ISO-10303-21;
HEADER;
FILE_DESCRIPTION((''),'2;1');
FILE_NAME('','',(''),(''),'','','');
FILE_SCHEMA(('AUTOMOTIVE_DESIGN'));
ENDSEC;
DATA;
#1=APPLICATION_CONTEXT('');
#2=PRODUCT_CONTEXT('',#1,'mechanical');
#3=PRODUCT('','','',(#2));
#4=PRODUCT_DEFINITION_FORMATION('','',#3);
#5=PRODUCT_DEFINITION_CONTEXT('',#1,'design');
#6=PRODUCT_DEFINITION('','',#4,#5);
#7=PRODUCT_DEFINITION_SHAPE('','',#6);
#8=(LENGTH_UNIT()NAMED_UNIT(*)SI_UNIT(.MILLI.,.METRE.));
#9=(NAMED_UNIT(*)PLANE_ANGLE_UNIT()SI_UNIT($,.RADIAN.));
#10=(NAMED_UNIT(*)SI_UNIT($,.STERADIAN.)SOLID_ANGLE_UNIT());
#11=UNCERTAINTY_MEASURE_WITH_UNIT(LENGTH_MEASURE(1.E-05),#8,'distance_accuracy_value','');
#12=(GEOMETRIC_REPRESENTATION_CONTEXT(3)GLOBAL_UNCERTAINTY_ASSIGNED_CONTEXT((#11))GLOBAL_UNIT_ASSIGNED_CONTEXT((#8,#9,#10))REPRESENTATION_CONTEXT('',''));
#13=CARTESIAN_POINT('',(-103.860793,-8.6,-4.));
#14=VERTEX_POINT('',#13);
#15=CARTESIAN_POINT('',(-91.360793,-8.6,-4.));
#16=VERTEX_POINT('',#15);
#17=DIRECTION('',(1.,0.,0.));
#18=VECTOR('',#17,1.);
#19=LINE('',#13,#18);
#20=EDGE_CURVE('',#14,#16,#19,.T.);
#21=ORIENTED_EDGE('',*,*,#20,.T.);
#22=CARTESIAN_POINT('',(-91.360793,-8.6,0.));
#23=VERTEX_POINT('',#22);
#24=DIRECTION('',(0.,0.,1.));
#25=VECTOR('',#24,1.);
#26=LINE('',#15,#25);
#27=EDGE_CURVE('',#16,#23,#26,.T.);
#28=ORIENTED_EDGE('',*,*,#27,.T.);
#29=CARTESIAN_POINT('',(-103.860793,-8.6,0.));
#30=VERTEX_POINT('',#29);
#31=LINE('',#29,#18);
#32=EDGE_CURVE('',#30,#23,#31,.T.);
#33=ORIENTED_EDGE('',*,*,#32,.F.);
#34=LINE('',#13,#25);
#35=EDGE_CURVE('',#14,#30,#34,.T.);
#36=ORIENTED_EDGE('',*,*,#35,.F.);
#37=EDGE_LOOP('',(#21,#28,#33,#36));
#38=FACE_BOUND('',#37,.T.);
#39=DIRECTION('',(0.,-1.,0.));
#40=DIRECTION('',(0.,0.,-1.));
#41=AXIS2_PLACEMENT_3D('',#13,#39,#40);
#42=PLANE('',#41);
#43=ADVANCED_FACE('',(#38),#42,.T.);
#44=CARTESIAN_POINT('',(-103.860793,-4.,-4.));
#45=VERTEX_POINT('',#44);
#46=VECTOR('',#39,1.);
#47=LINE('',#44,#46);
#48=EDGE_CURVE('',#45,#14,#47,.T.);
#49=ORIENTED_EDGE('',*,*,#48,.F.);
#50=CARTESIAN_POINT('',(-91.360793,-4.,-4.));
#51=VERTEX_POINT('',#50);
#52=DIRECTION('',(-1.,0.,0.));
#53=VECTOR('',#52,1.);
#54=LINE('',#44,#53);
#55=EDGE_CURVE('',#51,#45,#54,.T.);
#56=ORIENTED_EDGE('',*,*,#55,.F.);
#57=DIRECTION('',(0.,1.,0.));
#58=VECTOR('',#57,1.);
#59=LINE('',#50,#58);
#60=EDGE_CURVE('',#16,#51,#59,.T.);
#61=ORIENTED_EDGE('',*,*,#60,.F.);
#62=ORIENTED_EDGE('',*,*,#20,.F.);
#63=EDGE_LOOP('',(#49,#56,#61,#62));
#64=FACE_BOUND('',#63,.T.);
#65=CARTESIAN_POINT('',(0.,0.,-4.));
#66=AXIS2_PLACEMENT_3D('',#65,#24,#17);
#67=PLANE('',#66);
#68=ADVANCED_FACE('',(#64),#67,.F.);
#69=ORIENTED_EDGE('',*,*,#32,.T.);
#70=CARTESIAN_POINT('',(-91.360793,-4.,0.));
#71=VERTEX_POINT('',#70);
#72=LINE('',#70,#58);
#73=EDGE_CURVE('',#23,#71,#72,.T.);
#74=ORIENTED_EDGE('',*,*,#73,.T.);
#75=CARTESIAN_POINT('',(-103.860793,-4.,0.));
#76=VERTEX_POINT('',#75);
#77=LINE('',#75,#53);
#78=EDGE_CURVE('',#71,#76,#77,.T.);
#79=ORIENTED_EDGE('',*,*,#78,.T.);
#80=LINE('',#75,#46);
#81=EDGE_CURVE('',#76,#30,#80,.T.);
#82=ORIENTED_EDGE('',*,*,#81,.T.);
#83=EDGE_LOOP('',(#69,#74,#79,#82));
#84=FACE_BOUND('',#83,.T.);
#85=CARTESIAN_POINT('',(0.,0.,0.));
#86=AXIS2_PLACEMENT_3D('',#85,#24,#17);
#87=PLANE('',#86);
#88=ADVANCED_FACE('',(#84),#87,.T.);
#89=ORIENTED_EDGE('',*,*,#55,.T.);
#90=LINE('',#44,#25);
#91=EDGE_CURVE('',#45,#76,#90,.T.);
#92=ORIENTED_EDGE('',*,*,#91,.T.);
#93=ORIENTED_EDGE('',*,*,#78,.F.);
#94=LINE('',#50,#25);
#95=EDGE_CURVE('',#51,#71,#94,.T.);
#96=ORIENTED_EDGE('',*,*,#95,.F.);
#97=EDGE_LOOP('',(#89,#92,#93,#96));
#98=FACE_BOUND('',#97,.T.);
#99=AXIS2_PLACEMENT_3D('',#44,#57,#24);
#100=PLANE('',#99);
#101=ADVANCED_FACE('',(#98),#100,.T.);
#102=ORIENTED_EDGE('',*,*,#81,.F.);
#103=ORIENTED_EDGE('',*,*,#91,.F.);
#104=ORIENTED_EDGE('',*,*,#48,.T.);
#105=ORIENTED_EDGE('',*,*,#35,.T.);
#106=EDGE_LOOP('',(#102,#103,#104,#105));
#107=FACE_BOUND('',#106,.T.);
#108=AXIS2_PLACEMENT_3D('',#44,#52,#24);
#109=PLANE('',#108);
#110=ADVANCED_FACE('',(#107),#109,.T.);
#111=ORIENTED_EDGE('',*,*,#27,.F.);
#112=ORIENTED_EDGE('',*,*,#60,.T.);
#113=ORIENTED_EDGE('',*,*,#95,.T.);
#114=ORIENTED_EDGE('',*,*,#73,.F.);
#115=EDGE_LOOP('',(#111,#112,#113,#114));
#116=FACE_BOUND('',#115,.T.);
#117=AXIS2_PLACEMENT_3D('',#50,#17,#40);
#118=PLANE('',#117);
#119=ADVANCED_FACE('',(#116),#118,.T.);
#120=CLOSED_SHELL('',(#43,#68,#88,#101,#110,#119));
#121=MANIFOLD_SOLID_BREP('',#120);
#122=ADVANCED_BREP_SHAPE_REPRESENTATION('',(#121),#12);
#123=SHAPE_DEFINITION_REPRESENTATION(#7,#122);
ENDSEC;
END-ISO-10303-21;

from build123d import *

# Parameters (mm, degrees)
SKETCH1_W           = 12.5
SKETCH1_H           = 4.6
BOSS_EXTRUDE1_DEPTH = 4


with BuildPart() as part:
    # Sketch1 → Boss-Extrude1 (new body)
    with BuildSketch(Plane.XY):
        with Locations((-97.610792913, -6.3)):
            Rectangle(SKETCH1_W, SKETCH1_H)
    extrude(amount=-BOSS_EXTRUDE1_DEPTH)


solid = part.part
